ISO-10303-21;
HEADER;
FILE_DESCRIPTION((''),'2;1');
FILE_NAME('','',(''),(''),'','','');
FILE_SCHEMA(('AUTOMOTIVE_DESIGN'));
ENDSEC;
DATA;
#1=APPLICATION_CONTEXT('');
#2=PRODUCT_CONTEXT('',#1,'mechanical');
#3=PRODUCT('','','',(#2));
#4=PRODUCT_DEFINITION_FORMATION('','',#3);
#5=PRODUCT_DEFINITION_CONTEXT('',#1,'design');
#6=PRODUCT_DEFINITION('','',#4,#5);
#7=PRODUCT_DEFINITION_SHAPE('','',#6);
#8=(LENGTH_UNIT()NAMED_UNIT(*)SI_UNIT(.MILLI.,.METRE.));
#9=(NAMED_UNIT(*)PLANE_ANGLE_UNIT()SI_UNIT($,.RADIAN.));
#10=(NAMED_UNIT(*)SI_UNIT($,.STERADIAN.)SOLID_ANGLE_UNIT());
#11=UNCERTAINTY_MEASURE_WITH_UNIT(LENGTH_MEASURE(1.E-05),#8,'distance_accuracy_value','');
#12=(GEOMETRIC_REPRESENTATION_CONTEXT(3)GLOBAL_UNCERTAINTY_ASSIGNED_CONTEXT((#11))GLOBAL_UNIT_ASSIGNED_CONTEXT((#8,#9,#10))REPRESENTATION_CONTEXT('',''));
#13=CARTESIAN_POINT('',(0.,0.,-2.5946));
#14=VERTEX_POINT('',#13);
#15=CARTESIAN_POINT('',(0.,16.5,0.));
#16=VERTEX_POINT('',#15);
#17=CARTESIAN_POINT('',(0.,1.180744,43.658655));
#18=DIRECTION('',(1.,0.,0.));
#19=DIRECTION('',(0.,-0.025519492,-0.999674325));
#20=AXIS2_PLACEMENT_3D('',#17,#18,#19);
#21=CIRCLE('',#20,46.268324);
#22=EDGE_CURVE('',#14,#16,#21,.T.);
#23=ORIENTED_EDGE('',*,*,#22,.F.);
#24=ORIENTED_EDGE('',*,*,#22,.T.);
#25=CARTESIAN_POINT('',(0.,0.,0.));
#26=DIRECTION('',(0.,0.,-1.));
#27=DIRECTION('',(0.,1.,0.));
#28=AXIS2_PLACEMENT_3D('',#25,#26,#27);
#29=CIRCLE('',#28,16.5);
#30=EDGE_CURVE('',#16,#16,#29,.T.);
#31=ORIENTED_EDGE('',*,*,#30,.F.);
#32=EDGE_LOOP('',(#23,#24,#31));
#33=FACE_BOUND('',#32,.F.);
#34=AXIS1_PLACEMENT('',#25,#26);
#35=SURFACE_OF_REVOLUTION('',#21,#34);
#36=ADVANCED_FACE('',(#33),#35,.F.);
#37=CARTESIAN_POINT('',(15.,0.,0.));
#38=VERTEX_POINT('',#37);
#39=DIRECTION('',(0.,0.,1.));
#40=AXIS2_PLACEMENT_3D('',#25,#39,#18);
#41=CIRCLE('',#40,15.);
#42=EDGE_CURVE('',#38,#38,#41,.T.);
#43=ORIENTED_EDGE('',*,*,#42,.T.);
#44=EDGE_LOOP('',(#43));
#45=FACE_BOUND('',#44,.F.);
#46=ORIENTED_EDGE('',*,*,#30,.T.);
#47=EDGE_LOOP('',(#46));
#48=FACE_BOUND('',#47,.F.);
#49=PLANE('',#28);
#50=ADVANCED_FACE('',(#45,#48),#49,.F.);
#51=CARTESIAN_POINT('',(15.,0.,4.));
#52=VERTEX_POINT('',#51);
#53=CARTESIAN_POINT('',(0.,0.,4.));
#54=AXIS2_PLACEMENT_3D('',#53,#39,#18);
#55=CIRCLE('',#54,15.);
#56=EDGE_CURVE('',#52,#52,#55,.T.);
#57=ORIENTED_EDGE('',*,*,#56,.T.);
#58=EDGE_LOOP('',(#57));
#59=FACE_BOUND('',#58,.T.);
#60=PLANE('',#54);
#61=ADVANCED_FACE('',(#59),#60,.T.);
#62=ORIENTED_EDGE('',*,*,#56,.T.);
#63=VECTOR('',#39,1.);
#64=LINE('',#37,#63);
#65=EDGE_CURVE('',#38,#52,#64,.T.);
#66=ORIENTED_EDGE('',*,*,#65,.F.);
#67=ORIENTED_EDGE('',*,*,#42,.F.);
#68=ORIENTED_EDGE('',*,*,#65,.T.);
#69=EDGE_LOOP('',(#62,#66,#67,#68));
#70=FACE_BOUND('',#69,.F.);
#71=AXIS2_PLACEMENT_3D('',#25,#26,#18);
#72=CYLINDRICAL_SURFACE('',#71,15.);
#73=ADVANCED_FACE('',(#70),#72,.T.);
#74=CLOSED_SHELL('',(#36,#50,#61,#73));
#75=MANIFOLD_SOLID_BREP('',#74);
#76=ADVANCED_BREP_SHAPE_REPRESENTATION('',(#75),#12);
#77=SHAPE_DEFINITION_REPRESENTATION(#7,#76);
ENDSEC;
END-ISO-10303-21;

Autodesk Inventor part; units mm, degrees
ref_plane "YZ Plane" through (0, 0, 0) normal (1, 0, 0) x (0, 1, 0)
ref_plane "XZ Plane" through (0, 0, 0) normal (0, 1, 0) x (-1, 0, 0)
ref_plane "XY Plane" through (0, 0, 0) normal (0, 0, 1) x (1, 0, 0)
sketch "Sketch1" plane through (0, 0, 0) normal (0, 0, 1) x (1, 0, 0)
  circle A0 centre (0, 0) radius 15
  circle A1 centre (0, 0) radius 16.5
  dimension "d0" = 30
  dimension "d1" = 33
sketch "Sketch2" plane through (0, 0, 0) normal (1, 0, 0) x (0, 1, 0)
  arc A0 (0, -2.5946) -> (16.5, 0) centre (1.1808, 43.6578) ccw
  line L0 (0, 0) -> (0, -6.6612)
  line L1 (16.5, 0) -> (0, 0)
  point P0 (0, -2.5946)
  dimension "d2" = 16.5
revolve "Revolution1" add sketch "Sketch2" angle 360 about axis through (0, 0, 0) along (0, 0, -1)
extrude "Extrusion1" add sketch "Sketch1" along normal blind 4 contours A0
